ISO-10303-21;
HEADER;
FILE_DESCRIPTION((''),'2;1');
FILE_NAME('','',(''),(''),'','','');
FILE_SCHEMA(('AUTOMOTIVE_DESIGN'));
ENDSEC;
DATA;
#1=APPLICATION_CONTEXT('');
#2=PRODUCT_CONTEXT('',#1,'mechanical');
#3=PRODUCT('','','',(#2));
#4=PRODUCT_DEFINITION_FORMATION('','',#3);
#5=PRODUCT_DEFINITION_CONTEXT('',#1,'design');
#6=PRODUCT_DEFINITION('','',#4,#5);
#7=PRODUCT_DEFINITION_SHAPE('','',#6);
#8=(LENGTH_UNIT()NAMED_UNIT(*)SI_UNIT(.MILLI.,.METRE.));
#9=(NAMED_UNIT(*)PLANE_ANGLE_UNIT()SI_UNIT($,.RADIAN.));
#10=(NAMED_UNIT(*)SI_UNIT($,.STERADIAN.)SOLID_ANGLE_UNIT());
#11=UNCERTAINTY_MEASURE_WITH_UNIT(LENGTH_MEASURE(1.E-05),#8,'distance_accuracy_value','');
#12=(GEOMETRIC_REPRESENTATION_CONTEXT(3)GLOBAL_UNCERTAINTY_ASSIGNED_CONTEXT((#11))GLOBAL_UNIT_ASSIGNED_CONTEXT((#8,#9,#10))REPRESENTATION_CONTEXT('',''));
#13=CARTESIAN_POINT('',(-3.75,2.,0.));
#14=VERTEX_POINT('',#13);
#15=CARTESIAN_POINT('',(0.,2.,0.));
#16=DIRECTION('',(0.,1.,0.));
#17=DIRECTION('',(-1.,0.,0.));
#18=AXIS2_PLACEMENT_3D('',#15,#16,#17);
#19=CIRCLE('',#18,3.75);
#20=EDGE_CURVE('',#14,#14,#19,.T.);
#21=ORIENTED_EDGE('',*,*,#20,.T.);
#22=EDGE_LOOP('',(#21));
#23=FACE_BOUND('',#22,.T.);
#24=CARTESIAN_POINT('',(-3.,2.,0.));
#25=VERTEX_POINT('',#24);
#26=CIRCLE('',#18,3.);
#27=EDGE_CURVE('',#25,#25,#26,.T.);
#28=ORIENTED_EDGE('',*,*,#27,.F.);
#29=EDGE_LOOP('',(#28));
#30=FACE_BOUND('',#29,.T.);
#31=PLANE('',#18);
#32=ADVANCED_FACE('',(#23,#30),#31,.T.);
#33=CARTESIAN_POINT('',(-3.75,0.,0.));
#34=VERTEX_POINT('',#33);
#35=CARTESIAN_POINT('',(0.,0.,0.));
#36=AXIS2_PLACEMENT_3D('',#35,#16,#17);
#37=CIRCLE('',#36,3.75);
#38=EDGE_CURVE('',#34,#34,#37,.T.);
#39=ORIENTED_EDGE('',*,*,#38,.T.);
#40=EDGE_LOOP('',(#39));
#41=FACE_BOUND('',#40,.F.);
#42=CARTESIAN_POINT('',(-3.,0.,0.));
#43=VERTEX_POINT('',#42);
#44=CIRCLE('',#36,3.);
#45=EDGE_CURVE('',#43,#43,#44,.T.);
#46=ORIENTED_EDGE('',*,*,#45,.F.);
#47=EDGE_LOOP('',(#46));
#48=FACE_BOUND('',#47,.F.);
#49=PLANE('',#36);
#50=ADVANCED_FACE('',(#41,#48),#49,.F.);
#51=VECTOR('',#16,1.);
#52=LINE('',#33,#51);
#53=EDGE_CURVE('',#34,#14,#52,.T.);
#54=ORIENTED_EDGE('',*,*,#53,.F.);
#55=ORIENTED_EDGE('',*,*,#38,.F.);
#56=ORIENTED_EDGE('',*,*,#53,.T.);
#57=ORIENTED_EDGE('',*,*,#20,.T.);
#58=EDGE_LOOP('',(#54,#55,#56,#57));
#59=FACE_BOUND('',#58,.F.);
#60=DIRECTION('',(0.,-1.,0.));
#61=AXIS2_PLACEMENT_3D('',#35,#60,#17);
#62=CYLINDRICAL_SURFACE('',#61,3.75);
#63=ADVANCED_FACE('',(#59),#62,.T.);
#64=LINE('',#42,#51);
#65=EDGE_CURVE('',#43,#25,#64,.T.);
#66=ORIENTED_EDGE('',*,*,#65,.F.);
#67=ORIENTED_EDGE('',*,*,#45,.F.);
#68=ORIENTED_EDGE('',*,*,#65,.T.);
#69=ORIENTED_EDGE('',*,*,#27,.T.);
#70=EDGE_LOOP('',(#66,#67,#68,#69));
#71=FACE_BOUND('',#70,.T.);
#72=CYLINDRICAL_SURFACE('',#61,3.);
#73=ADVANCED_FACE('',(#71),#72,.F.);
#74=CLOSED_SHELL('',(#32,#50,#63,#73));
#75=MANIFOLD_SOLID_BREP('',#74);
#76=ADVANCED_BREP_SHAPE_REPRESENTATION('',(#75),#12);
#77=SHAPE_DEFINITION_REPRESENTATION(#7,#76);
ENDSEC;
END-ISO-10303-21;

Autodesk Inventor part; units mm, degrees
ref_plane "YZ Plane" through (0, 0, 0) normal (1, 0, 0) x (0, 1, 0)
ref_plane "XZ Plane" through (0, 0, 0) normal (0, 1, 0) x (-1, 0, 0)
ref_plane "XY Plane" through (0, 0, 0) normal (0, 0, 1) x (1, 0, 0)
sketch "Sketch1" plane through (0, 0, 0) normal (0, 1, 0) x (-1, 0, 0)
  circle A0 centre (0, 0) radius 3.75
  circle A1 centre (0, 0) radius 3
  dimension "d0" = 7.5
  dimension "d1" = 6
extrude "Extrusion1" add sketch "Sketch1" along normal blind 2
properties part number "Chimera Heatsink Bowden" material "Plastic, Opaque Black"
